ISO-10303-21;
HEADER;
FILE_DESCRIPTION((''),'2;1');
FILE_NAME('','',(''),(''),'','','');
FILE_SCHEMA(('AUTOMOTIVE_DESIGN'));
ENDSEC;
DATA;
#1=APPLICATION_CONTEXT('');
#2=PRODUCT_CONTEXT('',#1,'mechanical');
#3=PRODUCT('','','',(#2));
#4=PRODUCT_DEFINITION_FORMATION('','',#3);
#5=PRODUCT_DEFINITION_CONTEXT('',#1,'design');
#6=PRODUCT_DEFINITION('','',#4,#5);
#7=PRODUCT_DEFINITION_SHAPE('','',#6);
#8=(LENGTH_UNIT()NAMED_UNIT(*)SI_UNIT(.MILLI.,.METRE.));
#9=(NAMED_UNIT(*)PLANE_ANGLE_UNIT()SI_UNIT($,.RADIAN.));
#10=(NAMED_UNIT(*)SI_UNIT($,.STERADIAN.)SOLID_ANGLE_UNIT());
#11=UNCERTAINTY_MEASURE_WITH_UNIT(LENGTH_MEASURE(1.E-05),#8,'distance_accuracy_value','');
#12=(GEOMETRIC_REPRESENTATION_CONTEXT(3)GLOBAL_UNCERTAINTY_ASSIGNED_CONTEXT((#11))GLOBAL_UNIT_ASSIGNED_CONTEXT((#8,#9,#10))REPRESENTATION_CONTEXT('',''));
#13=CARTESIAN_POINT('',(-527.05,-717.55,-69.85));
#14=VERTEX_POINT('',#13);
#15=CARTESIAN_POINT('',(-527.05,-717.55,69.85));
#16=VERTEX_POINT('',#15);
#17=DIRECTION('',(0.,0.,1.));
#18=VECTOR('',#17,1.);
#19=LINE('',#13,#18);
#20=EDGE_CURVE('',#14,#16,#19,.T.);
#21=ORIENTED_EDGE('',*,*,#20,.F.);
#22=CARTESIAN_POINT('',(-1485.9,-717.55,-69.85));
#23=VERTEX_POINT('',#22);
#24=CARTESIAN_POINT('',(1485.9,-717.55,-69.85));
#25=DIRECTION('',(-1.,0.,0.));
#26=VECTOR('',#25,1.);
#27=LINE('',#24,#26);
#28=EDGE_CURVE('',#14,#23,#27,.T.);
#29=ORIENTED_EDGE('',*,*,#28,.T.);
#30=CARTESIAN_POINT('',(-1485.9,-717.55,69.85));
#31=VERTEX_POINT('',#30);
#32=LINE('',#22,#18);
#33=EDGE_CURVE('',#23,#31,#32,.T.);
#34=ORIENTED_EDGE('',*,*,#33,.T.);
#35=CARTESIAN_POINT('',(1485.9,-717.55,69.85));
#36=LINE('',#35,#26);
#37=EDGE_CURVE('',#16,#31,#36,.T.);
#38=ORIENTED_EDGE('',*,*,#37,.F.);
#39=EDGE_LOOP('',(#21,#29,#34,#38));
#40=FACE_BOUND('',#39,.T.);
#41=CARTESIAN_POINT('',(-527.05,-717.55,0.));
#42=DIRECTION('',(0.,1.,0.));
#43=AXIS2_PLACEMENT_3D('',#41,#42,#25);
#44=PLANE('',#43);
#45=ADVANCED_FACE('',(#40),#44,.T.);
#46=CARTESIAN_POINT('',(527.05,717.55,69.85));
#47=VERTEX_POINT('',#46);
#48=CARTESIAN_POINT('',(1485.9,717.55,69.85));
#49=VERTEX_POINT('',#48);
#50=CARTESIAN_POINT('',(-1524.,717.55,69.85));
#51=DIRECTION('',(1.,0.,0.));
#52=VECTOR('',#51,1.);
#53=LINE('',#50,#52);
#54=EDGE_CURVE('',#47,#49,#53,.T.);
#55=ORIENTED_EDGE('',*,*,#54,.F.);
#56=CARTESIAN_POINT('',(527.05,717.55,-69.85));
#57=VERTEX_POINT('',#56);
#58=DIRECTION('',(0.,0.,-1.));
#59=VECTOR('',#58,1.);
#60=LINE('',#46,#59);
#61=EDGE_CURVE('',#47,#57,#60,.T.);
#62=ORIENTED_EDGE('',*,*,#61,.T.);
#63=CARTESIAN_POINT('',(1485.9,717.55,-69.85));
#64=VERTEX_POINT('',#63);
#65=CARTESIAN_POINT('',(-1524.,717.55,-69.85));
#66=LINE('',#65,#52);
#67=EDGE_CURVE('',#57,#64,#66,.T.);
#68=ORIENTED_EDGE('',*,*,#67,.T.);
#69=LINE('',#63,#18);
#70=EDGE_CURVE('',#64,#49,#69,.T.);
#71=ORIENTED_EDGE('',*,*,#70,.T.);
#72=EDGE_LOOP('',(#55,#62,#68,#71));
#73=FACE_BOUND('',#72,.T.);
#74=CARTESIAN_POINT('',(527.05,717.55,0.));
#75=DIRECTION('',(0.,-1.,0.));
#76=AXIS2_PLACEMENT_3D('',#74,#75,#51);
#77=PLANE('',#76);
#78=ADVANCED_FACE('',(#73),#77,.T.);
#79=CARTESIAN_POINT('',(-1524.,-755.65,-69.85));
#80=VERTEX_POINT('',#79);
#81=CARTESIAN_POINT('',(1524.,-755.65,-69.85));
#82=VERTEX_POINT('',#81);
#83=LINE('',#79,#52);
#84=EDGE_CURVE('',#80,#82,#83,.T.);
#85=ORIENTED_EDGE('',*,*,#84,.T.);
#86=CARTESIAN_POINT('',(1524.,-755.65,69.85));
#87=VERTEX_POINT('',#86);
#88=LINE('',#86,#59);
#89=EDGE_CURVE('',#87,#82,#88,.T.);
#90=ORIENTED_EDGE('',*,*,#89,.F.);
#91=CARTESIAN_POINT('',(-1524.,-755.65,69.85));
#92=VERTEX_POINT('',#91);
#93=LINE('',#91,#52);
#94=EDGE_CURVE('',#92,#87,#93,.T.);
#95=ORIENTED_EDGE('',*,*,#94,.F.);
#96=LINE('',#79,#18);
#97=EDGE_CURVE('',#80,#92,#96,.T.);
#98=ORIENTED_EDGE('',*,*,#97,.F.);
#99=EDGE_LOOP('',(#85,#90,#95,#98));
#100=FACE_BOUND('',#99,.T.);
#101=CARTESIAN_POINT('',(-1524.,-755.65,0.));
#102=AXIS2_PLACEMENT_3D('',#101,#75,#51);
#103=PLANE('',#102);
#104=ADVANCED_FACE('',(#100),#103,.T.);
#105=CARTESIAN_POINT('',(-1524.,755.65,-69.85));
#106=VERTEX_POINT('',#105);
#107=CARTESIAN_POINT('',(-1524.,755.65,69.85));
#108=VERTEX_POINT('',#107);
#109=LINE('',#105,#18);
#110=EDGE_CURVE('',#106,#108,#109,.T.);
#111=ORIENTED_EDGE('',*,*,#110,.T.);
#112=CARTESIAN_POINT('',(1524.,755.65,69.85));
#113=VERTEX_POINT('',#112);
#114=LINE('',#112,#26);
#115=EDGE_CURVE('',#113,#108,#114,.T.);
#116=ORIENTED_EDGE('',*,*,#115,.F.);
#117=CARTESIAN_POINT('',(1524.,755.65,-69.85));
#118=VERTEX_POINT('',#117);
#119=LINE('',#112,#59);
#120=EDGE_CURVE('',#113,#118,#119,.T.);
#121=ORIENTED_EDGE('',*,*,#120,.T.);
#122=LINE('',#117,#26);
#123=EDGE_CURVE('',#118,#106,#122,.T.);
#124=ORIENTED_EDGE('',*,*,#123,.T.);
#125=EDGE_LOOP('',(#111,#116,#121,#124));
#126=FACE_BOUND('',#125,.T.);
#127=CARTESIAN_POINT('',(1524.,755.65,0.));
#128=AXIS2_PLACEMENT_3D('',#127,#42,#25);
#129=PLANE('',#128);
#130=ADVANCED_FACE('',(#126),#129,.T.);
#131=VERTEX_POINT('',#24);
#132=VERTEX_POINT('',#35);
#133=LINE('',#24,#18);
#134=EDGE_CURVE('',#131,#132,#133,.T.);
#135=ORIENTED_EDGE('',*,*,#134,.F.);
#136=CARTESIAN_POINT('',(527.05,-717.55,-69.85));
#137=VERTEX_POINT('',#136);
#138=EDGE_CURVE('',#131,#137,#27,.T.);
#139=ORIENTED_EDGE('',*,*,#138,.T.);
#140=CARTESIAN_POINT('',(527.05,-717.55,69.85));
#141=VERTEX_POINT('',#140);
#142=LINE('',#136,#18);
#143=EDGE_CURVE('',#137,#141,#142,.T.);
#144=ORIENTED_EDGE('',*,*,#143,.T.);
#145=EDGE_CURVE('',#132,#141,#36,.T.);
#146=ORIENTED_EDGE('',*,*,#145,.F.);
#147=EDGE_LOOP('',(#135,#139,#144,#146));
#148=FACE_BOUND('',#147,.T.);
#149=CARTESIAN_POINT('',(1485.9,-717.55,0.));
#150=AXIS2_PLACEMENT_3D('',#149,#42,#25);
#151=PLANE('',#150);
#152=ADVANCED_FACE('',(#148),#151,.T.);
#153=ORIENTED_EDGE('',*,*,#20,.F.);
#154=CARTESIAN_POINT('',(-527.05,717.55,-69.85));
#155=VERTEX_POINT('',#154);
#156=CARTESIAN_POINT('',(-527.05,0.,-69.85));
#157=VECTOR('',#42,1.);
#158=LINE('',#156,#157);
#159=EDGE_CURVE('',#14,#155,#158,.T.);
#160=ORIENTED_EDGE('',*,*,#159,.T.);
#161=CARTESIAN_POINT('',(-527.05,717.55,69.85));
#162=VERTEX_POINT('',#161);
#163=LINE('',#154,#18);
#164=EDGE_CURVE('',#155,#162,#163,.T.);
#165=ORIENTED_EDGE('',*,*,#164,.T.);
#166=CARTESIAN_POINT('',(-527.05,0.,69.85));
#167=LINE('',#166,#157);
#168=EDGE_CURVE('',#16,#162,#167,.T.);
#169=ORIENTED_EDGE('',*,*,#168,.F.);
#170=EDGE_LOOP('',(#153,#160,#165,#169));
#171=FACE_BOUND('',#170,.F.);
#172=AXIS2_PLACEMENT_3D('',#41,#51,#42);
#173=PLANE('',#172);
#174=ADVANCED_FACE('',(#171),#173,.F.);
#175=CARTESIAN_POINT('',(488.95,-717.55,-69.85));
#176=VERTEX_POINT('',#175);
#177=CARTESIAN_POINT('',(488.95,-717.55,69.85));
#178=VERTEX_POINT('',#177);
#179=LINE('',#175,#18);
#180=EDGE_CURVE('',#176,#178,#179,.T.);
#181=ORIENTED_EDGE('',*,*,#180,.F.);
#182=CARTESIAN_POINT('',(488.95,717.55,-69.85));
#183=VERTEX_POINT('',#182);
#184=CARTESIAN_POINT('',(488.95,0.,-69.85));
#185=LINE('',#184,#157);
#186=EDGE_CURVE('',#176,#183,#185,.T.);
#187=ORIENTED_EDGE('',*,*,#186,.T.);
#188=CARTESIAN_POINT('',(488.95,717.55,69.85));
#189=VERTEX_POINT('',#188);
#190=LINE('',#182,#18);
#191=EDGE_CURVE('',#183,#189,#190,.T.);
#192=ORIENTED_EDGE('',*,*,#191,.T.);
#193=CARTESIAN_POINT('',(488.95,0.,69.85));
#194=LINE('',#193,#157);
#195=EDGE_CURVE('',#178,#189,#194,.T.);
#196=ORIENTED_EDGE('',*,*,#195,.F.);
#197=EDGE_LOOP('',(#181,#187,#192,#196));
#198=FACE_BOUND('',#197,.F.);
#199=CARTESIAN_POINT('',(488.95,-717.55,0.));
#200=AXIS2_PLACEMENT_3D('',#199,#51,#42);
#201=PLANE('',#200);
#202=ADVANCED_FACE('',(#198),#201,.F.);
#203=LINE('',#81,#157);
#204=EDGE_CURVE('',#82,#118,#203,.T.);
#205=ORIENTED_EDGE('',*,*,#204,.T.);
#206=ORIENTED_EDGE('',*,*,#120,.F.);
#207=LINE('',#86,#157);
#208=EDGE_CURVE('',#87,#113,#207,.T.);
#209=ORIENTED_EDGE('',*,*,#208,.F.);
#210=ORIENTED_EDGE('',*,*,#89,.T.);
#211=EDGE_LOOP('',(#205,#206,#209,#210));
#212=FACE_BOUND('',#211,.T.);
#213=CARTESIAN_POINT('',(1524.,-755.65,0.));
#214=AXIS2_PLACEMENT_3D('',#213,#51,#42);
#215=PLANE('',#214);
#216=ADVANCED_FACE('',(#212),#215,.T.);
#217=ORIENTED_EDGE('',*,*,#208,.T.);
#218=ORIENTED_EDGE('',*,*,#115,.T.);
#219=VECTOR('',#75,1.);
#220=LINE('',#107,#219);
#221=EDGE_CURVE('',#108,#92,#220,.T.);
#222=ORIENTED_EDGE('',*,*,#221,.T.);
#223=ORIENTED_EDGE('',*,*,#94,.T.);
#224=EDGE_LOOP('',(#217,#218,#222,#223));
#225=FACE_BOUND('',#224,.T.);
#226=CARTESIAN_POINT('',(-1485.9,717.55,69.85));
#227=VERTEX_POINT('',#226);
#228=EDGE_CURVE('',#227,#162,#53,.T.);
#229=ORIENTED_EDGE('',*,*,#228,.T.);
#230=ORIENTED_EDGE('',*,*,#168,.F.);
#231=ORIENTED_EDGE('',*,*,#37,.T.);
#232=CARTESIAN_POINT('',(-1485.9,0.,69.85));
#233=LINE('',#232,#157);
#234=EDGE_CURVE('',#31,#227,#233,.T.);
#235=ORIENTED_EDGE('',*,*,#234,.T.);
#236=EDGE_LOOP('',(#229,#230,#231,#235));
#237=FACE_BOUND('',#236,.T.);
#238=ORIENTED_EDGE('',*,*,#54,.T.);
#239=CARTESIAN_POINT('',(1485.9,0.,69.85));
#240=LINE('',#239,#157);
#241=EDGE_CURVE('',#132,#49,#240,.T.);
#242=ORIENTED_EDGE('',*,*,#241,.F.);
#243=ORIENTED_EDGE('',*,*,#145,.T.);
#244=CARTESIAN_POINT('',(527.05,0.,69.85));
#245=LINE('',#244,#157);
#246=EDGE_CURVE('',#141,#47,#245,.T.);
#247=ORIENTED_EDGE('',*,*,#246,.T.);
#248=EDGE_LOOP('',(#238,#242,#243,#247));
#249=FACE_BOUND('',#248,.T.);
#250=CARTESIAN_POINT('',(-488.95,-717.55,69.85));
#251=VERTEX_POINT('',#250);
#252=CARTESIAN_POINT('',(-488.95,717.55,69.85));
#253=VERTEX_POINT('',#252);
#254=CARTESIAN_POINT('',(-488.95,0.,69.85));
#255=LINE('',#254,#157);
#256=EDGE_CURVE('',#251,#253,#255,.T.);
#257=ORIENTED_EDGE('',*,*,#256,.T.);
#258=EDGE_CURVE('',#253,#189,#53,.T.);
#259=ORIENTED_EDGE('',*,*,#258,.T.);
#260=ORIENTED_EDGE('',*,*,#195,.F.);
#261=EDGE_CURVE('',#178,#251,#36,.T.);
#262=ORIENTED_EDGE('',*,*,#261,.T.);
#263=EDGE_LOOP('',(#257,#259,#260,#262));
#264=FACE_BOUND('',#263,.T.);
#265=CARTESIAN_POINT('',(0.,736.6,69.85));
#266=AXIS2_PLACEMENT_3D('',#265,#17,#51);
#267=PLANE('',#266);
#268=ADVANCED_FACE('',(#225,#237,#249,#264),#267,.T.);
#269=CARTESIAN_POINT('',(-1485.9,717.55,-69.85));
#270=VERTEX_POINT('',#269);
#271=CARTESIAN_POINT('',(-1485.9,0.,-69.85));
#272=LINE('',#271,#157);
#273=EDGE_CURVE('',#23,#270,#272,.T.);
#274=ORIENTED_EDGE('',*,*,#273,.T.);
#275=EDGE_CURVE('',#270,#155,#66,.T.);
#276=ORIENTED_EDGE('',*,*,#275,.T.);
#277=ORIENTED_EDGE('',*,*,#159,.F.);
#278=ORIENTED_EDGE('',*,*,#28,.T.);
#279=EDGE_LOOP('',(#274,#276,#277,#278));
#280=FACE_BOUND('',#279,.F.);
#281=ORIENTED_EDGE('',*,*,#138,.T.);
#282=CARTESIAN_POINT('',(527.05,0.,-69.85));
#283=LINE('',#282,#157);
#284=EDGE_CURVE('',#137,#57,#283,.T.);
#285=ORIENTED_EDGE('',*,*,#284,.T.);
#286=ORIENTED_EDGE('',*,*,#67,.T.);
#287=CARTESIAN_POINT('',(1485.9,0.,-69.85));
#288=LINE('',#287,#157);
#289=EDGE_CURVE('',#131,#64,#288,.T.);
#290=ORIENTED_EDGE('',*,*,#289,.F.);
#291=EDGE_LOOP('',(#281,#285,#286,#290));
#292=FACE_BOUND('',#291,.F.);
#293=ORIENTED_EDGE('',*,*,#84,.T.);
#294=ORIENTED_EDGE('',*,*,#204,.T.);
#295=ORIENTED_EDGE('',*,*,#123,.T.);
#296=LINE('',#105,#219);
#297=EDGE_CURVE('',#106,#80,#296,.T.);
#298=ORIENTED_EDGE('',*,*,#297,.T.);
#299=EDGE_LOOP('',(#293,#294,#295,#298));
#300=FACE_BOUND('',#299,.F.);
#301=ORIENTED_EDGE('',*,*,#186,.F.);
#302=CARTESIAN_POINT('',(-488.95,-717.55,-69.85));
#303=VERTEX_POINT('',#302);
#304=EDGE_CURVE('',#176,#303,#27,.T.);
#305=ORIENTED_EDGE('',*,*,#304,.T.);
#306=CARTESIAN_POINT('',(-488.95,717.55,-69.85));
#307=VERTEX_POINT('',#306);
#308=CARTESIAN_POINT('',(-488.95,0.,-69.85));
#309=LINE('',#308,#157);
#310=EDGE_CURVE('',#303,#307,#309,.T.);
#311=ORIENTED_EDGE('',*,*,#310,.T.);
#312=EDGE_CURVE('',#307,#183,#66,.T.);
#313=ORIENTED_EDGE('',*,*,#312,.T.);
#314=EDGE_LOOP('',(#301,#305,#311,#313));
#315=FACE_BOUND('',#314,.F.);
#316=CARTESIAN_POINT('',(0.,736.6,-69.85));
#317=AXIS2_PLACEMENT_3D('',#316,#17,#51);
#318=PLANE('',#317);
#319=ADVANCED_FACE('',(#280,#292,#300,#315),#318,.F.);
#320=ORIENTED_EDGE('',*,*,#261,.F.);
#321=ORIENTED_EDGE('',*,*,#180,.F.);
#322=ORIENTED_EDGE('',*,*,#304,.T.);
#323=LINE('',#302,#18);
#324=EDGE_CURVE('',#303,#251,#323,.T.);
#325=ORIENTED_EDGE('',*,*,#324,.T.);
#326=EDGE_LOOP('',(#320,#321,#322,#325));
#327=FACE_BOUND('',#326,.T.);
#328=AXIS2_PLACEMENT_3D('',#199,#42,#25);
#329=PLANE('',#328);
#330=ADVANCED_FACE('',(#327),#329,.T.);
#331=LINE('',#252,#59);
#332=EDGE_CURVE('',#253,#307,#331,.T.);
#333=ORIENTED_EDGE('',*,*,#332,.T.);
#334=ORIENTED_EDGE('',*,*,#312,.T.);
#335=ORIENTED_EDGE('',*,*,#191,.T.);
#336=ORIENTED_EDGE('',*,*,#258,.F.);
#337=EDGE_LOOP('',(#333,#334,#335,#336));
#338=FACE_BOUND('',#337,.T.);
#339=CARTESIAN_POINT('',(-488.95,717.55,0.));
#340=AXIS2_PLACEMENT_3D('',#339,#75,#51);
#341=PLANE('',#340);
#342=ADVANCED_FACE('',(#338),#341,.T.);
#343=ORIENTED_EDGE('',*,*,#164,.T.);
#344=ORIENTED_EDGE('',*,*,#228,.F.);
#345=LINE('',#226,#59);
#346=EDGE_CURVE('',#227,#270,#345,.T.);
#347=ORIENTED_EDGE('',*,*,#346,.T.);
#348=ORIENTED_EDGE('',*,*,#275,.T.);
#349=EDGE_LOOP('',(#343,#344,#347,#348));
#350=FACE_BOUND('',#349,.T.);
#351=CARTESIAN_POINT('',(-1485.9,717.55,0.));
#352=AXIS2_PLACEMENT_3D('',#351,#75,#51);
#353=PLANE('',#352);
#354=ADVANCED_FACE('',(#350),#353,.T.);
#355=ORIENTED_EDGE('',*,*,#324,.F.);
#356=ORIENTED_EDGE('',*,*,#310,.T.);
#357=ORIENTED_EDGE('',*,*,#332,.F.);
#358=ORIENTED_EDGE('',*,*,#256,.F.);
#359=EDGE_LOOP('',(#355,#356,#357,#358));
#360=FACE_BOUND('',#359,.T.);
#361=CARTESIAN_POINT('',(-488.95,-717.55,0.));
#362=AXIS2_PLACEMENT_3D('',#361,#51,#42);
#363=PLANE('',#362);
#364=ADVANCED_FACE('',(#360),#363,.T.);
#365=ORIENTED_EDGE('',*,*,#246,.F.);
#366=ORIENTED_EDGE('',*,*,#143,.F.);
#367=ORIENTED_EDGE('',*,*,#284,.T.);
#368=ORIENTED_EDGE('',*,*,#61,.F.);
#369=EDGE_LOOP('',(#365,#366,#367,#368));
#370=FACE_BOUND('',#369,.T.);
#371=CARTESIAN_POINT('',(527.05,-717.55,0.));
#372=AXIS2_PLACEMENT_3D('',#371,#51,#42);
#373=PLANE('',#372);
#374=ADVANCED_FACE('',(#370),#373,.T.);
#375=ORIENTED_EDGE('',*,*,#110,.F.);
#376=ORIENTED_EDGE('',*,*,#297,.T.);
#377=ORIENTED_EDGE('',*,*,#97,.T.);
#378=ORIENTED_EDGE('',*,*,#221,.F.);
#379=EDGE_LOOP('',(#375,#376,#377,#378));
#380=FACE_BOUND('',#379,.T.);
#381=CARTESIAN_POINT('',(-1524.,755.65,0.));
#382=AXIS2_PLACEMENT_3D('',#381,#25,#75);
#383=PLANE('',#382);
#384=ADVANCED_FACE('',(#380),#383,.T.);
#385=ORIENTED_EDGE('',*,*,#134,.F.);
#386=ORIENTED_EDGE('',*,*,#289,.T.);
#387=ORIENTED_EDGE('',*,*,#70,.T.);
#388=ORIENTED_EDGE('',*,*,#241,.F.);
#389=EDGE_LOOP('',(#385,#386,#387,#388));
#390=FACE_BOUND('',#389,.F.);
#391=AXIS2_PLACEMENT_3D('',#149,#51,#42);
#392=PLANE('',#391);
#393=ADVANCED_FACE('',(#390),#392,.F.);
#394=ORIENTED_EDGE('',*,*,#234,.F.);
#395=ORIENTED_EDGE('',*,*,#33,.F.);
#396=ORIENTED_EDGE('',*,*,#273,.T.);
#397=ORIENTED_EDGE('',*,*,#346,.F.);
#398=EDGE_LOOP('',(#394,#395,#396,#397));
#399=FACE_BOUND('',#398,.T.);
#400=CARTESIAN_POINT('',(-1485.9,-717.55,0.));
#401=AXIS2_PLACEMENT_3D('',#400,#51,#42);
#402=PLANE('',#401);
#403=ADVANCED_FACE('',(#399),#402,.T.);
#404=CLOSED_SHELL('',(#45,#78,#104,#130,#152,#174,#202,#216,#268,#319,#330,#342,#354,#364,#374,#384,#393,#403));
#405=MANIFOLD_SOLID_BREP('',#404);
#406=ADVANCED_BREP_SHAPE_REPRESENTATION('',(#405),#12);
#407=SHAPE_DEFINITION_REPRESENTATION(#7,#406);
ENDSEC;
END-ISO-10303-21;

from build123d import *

# Parameters (mm, degrees)
F0_W     = 38.1
F0_H     = 1435.1
F1_DEPTH = 69.85


with BuildPart() as f1:
    # F0 (on Top) → F1 (new body, symmetric)
    with BuildSketch(Plane.XY):
        Polygon((1524, 717.55), (1524, 755.65), (1485.9, 755.65), (-1485.9, 755.65), (-1524, 755.65), (-1524, 717.55), (-1485.9, 717.55), (-527.05, 717.55), (-488.95, 717.55), (488.95, 717.55), (527.05, 717.55), (1485.9, 717.55), align=None)
        with Locations((1504.95, 0)):
            Rectangle(F0_W, F0_H)
        Polygon((1524, -755.65), (1524, -717.55), (1485.9, -717.55), (527.05, -717.55), (488.95, -717.55), (-488.95, -717.55), (-527.05, -717.55), (-1485.9, -717.55), (-1524, -717.55), (-1524, -755.65), (-1485.9, -755.65), (1485.9, -755.65), align=None)
        with Locations((-1504.95, 0)):
            Rectangle(F0_W, F0_H)
        with Locations((-508, 0)):
            Rectangle(F0_W, F0_H)
        with Locations((508, 0)):
            Rectangle(F0_W, F0_H)
    extrude(amount=F1_DEPTH, both=True)


solid = f1.part
